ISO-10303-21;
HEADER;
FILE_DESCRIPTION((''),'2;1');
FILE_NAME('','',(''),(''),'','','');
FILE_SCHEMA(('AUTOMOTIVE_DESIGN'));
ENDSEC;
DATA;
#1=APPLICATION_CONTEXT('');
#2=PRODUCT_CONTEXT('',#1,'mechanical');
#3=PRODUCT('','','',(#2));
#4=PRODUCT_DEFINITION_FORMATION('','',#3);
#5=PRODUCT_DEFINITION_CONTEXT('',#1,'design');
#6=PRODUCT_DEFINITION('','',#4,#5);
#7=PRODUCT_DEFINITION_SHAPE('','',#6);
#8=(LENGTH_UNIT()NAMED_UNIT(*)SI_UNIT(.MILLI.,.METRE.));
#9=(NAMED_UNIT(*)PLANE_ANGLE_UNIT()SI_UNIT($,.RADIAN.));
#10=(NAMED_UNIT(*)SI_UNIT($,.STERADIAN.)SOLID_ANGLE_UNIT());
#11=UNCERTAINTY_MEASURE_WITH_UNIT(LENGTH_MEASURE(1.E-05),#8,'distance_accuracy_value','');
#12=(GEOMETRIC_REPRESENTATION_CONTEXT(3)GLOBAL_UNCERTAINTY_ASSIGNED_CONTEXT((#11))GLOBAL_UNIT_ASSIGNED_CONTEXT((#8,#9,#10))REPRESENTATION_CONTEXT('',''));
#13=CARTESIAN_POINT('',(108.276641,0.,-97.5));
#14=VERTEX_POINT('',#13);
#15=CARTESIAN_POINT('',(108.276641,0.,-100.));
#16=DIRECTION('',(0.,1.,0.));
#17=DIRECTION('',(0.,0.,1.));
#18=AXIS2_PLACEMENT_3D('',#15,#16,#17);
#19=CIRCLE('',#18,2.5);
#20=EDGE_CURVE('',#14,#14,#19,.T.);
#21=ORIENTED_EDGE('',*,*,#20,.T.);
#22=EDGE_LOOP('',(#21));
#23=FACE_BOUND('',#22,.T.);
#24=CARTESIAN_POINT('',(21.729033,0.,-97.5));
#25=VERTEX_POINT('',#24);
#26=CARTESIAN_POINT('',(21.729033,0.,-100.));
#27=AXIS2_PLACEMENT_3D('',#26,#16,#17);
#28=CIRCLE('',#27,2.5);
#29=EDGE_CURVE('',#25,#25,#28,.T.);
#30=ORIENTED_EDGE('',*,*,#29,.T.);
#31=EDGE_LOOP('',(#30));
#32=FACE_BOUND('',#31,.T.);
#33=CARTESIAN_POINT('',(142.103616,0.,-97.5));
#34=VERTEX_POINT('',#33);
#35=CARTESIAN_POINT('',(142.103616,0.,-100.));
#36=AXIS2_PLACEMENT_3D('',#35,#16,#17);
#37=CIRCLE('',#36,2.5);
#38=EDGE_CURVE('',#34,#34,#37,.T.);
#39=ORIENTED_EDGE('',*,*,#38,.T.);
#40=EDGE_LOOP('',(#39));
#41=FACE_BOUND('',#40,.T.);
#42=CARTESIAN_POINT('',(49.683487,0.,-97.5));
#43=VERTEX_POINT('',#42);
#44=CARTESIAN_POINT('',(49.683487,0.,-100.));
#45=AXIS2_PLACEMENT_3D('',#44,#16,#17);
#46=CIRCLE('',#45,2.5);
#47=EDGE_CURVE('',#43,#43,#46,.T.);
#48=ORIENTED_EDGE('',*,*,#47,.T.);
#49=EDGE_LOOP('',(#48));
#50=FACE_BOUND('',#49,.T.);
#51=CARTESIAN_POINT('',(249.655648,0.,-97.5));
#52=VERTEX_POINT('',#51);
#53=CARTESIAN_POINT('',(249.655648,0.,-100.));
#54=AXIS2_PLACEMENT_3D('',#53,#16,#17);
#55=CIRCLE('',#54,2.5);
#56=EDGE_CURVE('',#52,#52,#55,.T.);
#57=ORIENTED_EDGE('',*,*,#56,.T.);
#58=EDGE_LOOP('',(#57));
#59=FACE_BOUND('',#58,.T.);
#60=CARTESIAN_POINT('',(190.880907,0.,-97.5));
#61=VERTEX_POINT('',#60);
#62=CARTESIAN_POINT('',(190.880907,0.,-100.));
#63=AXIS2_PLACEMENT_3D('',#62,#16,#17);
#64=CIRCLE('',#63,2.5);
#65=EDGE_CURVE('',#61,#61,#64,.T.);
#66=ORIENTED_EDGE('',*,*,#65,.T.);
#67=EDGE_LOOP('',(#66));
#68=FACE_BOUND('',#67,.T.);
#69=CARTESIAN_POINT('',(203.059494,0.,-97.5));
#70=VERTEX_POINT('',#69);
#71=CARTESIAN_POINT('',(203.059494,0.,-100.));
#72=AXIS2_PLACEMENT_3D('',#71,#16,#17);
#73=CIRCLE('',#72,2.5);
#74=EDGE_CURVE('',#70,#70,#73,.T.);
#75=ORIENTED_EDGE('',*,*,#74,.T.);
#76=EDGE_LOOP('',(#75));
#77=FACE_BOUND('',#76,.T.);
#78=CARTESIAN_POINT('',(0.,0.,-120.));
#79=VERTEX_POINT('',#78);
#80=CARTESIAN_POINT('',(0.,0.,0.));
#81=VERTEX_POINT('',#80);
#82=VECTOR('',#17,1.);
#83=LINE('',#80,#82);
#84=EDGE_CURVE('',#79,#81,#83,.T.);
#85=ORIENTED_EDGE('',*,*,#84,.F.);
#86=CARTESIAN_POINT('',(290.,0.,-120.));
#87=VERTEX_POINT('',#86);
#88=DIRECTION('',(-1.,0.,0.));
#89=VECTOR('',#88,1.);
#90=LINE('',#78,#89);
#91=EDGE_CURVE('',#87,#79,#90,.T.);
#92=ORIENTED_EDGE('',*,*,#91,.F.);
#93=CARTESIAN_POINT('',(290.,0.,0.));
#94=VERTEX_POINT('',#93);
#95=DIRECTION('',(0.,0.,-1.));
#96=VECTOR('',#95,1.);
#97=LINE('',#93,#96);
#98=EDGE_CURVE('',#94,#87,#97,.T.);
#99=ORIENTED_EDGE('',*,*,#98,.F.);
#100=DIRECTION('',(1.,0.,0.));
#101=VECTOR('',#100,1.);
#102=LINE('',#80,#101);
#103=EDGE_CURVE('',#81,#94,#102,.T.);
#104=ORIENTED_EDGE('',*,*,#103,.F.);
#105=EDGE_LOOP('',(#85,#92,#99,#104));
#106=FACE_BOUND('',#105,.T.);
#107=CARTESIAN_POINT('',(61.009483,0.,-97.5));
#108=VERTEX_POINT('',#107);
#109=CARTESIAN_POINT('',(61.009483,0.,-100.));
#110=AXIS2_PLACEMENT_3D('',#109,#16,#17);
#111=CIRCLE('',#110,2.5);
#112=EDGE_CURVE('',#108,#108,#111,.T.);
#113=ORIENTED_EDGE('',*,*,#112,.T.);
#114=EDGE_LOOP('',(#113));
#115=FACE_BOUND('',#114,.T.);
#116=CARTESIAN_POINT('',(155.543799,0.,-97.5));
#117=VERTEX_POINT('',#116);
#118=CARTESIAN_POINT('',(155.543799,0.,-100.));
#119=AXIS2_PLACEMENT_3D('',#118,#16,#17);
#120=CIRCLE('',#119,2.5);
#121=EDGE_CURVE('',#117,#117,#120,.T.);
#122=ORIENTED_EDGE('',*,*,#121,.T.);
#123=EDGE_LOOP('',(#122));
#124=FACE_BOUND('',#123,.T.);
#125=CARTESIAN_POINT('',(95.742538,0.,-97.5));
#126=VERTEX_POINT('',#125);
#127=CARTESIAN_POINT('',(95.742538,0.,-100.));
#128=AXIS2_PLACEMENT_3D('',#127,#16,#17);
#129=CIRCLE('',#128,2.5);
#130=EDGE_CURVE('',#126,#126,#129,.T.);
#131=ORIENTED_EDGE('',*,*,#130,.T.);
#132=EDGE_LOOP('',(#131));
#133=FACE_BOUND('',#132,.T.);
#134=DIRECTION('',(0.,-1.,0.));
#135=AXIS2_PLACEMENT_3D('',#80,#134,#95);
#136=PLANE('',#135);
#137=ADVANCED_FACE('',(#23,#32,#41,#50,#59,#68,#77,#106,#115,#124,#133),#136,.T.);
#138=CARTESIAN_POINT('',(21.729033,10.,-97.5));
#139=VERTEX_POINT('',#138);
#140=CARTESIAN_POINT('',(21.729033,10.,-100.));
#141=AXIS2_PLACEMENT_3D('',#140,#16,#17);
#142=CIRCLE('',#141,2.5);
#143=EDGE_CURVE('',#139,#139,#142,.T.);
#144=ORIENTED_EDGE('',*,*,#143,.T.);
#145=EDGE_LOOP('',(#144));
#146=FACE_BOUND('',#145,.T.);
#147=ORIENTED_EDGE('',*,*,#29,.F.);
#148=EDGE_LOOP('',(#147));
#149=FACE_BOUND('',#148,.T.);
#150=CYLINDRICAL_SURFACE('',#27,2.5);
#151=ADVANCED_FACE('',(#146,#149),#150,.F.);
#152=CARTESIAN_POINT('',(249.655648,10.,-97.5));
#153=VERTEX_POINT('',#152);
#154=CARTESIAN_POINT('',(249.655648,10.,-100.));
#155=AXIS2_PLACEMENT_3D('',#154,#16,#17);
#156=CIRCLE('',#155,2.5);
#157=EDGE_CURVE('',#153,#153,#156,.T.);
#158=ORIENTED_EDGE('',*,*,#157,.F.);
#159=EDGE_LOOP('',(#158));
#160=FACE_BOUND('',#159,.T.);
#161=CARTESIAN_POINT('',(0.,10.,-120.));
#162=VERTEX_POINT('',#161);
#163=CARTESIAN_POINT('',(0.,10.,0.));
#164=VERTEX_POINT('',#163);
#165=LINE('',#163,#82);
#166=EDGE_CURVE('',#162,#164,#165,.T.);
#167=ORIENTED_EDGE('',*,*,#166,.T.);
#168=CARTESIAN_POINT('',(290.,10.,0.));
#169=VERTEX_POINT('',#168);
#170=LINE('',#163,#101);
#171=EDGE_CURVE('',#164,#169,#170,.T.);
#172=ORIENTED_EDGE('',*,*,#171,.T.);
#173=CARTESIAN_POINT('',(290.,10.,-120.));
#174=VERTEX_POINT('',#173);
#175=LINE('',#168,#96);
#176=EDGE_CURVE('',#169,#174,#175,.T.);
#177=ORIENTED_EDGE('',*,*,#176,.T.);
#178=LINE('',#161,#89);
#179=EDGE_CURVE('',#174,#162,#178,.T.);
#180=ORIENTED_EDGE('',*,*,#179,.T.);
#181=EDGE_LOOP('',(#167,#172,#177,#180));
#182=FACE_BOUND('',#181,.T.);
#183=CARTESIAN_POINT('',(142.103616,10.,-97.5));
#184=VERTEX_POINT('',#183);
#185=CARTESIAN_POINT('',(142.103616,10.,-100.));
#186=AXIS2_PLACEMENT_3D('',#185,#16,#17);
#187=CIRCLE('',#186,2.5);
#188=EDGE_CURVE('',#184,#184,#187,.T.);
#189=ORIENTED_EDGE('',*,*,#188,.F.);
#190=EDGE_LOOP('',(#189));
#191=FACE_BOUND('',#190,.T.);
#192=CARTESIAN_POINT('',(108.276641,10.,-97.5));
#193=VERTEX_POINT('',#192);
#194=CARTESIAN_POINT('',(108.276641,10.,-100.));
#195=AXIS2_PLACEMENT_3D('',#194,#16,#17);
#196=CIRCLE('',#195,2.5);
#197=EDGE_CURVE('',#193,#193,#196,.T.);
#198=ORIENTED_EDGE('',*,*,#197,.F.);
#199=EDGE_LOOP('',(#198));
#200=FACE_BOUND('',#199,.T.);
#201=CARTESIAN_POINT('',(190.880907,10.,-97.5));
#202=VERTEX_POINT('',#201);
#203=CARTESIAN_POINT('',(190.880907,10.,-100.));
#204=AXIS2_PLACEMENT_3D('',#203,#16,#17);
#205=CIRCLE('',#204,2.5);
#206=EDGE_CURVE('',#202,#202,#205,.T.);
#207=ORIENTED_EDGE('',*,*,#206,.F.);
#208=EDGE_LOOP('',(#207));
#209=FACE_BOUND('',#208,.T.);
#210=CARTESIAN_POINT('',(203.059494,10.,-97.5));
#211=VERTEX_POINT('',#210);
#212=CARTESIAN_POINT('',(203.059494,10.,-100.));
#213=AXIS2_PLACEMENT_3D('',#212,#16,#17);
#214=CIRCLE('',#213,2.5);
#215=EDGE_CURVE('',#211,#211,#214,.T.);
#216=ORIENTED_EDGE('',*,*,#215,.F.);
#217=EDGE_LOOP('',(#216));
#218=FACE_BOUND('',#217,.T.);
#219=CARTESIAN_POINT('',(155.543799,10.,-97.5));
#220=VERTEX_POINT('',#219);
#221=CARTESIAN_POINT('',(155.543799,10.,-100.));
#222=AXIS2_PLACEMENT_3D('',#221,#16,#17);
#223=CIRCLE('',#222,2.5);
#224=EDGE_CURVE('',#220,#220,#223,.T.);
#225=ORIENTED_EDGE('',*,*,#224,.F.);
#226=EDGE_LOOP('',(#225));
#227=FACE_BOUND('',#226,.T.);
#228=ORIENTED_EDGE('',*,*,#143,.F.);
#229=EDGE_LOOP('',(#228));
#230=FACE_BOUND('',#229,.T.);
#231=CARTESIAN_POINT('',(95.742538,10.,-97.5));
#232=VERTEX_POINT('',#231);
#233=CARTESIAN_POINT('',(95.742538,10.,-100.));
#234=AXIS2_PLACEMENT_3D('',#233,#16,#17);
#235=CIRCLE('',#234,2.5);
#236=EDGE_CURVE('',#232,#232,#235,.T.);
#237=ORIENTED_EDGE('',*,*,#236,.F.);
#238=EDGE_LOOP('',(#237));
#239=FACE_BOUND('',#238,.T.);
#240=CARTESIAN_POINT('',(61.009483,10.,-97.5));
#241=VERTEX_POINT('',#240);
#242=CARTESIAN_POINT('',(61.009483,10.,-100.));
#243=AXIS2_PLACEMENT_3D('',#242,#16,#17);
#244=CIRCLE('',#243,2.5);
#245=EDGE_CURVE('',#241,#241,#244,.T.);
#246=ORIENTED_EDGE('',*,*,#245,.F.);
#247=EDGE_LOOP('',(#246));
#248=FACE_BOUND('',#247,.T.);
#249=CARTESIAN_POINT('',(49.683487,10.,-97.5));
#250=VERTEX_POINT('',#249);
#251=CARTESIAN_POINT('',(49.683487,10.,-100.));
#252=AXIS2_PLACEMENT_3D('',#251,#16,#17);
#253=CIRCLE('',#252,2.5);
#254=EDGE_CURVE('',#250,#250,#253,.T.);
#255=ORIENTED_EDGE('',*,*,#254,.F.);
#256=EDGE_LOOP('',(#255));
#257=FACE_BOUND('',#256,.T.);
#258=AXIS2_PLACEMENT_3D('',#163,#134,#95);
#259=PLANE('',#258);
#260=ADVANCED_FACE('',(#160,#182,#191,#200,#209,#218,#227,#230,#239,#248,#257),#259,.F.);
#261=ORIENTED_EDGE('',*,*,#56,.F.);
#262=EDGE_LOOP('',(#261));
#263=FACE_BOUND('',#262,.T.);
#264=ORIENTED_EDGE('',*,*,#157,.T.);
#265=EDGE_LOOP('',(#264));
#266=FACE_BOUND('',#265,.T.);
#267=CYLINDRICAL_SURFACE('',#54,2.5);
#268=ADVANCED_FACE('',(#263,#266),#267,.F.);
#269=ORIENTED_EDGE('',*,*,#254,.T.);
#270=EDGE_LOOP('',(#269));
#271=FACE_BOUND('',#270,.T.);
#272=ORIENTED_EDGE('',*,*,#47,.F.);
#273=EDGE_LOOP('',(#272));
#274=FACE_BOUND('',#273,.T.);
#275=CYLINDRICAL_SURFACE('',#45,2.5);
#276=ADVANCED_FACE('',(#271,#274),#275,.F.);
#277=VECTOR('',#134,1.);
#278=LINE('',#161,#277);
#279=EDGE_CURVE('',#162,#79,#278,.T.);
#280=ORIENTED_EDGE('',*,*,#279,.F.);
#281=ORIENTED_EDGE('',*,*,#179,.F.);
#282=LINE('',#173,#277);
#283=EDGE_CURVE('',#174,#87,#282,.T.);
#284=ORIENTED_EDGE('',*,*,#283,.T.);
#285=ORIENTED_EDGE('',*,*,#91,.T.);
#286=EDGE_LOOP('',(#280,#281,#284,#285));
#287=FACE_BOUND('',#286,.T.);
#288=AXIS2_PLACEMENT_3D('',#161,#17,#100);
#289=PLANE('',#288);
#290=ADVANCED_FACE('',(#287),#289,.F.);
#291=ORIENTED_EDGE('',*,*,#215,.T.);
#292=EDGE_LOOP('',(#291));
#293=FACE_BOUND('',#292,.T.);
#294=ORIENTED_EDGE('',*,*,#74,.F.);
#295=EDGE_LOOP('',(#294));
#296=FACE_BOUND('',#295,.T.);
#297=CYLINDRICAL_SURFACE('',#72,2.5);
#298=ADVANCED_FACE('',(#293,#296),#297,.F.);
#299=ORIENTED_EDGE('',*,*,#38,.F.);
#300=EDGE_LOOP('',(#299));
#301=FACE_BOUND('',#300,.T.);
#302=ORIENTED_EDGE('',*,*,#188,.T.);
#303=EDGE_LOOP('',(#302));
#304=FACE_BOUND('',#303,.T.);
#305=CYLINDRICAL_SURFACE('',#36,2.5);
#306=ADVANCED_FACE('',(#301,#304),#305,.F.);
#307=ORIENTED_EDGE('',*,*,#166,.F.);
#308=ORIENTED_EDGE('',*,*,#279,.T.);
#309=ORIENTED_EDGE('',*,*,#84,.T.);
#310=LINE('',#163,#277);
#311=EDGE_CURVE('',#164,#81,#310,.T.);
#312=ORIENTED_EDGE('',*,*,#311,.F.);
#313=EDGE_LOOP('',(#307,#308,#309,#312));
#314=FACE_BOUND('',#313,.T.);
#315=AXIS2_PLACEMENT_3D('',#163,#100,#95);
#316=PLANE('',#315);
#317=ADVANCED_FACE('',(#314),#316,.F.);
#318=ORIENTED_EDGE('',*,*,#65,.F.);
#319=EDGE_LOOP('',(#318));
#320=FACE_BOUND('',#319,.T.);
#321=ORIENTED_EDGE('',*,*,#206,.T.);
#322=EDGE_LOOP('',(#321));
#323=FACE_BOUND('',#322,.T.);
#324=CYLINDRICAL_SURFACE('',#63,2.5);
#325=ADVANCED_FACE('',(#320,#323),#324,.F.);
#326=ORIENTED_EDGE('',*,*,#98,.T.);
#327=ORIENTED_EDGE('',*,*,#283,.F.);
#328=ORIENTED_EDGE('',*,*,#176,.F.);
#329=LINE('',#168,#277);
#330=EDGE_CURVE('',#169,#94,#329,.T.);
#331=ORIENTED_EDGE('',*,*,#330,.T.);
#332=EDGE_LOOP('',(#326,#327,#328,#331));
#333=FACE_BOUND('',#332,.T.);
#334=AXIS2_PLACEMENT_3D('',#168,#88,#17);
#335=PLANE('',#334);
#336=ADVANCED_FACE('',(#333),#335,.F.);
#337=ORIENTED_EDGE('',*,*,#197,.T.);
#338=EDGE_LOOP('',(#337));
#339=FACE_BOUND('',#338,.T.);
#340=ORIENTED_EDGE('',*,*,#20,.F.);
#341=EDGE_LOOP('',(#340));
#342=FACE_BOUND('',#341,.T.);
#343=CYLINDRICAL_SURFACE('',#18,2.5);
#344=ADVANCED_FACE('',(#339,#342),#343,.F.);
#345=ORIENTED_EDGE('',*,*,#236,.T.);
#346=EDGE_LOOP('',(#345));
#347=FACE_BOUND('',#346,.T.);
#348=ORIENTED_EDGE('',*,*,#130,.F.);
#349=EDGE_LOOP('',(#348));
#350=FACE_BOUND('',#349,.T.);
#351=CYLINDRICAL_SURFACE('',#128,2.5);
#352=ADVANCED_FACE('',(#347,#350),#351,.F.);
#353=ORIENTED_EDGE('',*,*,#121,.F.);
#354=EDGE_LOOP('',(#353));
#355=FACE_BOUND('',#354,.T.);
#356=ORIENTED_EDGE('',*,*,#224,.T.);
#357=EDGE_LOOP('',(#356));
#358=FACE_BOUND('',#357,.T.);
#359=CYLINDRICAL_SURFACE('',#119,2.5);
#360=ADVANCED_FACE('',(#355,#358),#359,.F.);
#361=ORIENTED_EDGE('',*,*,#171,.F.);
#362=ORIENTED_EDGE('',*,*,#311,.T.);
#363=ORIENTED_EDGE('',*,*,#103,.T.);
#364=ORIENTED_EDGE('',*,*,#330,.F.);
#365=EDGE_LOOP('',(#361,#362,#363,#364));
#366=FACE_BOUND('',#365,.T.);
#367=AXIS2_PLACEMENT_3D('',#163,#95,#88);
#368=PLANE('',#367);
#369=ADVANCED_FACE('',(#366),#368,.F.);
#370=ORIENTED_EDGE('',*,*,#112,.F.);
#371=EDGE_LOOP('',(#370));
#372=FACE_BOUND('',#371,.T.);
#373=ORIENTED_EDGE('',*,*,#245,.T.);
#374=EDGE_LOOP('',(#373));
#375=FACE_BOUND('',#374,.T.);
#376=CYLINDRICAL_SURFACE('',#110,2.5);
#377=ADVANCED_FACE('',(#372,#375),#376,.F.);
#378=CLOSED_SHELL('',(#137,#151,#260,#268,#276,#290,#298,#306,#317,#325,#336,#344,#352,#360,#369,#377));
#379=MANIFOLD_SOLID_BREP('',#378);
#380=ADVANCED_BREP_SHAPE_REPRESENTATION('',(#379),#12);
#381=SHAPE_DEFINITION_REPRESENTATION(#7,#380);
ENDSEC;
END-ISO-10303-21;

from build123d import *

# Parameters (mm, degrees)
SKETCH_1_W          = 290
SKETCH_1_H          = 120
EXTRUDE_1_DEPTH     = 10
SKETCH_2_R          = 2.5
CUT_EXTRUDE_1_DEPTH = 11


with BuildPart() as part:
    # Эскиз1 → Бобышка-Вытянуть1 (new body)
    with BuildSketch(Plane(origin=(0, 0, 0), x_dir=(1, 0, 0), z_dir=(0, 1, 0))):
        with Locations((145, 60)):
            Rectangle(SKETCH_1_W, SKETCH_1_H)
    extrude(amount=EXTRUDE_1_DEPTH)

    # Эскиз2 → Вырез-Вытянуть1 (cut, through all)
    with BuildSketch(Plane(origin=(0, 10, 0), x_dir=(1, 0, 0), z_dir=(0, 1, 0))):
        with Locations((203.059493975, 100)):
            Circle(SKETCH_2_R)
        with Locations((155.543798527, 100)):
            Circle(SKETCH_2_R)
        with Locations((108.276640676, 100)):
            Circle(SKETCH_2_R)
        with Locations((61.009482825, 100)):
            Circle(SKETCH_2_R)
        with Locations((21.729032917, 100)):
            Circle(SKETCH_2_R)
        with Locations((49.683486534, 100)):
            Circle(SKETCH_2_R)
        with Locations((95.742538115, 100)):
            Circle(SKETCH_2_R)
        with Locations((142.103616263, 100)):
            Circle(SKETCH_2_R)
        with Locations((190.880906953, 100)):
            Circle(SKETCH_2_R)
        with Locations((249.655647954, 100)):
            Circle(SKETCH_2_R)
    extrude(amount=-CUT_EXTRUDE_1_DEPTH, mode=Mode.SUBTRACT)


solid = part.part
